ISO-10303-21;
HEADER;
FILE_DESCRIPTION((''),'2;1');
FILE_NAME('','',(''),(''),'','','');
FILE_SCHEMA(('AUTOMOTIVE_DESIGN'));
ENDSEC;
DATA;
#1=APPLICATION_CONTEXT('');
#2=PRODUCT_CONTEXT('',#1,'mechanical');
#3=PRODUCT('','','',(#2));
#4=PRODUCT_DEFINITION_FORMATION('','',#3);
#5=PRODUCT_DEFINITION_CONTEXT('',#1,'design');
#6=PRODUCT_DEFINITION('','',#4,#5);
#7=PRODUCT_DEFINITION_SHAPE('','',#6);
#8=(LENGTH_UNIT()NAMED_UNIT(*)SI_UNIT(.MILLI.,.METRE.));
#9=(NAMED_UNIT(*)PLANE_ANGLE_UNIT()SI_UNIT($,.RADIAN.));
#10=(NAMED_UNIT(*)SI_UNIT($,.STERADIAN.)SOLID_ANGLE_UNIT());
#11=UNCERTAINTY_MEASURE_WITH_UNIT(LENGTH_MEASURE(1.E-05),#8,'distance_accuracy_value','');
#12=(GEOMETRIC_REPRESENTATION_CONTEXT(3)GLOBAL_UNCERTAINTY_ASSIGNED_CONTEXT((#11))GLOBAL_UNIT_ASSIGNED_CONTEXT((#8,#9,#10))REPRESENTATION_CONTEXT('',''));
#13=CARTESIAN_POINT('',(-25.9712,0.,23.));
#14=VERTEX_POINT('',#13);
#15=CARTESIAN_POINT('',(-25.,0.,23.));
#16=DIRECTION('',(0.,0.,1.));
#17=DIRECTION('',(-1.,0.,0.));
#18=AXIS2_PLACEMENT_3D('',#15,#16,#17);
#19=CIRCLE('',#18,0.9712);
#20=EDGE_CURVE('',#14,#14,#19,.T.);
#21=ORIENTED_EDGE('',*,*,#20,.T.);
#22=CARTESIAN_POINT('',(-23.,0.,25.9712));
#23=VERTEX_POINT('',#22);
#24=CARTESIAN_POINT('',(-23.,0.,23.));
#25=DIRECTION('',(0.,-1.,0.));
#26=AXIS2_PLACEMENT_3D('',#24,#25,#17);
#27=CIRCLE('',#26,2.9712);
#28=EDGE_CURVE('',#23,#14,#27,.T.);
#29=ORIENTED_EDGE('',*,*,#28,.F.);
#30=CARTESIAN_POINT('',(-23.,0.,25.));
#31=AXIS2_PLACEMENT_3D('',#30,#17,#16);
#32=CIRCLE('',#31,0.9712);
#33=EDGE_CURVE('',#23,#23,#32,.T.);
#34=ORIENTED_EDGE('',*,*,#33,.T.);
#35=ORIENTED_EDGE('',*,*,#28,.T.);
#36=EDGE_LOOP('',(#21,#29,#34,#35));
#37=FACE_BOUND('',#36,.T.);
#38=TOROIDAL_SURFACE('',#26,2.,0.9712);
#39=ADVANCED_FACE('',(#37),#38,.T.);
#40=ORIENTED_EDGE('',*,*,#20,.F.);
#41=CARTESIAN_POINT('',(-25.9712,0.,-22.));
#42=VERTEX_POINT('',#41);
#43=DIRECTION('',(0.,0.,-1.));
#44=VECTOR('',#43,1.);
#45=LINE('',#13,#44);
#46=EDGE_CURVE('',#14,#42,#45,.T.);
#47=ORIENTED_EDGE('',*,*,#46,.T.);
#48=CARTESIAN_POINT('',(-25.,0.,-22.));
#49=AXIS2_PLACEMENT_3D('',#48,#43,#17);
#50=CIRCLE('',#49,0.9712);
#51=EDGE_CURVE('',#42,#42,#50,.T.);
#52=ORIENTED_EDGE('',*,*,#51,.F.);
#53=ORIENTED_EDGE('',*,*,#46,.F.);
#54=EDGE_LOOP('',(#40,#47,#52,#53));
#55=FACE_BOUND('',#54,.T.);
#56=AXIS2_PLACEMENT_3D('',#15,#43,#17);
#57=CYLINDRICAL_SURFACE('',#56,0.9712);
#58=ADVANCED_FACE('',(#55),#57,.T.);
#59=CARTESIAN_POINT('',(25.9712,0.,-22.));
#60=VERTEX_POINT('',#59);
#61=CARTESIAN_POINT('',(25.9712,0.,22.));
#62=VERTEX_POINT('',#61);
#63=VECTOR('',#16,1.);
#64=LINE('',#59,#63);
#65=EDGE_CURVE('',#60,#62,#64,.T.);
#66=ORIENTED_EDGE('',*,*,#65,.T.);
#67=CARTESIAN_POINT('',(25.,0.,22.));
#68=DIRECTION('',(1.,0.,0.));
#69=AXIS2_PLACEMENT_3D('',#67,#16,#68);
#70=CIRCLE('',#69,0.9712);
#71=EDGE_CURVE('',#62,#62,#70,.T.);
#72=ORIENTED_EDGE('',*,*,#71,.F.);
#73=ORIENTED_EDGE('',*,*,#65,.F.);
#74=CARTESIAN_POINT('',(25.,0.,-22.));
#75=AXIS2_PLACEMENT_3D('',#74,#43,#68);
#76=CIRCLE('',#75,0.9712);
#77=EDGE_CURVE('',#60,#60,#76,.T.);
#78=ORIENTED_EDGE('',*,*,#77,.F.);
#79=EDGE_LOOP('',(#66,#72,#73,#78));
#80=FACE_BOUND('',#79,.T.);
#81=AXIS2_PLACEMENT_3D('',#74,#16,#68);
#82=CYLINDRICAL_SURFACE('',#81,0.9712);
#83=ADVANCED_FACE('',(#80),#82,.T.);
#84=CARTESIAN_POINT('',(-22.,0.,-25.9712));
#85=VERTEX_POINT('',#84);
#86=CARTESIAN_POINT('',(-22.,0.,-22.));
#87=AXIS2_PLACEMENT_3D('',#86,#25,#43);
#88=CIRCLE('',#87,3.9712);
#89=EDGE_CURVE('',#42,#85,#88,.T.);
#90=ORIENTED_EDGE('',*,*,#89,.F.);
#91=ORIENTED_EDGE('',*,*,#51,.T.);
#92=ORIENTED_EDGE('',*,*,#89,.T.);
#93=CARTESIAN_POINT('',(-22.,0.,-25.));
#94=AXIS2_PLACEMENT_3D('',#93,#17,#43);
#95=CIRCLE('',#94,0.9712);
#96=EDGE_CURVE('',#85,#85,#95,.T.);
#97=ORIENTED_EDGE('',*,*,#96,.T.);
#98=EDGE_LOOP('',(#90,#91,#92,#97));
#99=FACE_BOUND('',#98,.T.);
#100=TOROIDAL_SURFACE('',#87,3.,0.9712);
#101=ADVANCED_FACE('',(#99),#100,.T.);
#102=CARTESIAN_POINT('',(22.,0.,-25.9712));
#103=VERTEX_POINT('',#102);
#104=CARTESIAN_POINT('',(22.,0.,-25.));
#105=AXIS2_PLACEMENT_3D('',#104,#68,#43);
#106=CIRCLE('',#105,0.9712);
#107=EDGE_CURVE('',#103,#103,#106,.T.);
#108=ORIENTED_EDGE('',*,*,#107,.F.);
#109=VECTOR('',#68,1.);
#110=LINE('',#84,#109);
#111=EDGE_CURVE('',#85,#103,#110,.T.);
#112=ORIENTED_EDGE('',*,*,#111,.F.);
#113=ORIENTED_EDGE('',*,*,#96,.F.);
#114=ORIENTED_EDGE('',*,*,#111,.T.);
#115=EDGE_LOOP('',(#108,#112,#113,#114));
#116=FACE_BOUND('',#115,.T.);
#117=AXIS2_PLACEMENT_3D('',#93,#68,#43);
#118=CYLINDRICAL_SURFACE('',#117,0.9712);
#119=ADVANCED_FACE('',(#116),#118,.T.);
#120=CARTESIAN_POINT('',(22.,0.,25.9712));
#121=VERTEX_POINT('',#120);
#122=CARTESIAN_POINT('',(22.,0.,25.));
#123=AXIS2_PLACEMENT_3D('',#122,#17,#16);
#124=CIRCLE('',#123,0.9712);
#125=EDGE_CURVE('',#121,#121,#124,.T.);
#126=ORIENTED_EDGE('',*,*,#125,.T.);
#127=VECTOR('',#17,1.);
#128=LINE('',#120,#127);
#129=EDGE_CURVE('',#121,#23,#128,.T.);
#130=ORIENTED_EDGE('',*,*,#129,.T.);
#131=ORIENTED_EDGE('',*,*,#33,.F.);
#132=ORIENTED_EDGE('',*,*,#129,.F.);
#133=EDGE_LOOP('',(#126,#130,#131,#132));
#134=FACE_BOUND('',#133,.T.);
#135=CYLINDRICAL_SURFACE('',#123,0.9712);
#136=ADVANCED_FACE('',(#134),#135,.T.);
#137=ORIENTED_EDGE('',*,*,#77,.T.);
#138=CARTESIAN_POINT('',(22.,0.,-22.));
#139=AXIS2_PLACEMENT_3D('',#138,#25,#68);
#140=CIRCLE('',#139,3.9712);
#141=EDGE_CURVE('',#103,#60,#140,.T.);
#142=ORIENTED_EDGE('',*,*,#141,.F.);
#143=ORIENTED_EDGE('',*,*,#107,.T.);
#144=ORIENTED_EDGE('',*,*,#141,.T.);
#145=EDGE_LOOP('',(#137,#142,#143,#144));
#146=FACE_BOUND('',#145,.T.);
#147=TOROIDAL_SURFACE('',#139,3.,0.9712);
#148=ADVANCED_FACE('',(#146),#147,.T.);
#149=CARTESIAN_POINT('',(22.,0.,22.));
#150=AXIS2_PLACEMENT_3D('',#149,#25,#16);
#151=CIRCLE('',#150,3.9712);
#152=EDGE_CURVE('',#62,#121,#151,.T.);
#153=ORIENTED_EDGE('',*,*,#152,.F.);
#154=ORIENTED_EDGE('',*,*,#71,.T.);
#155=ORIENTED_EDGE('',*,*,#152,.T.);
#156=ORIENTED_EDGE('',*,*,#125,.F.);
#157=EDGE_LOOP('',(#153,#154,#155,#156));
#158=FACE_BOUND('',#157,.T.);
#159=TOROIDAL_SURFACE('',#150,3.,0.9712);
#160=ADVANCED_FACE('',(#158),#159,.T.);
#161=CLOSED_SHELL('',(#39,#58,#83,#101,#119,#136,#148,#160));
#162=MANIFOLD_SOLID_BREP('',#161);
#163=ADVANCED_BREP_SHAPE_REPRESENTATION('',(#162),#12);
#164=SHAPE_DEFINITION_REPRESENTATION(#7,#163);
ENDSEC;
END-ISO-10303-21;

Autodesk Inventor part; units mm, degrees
ref_plane "YZ Plane" through (0, 0, 0) normal (1, 0, 0) x (0, 1, 0)
ref_plane "XZ Plane" through (0, 0, 0) normal (0, 1, 0) x (-1, 0, 0)
ref_plane "XY Plane" through (0, 0, 0) normal (0, 0, 1) x (1, 0, 0)
sketch "Sketch1" plane through (0, 0, 0) normal (0, 1, 0) x (-1, 0, 0)
  line L0 (-22, 25) -> (23, 25)
  line L1 (25, 23) -> (25, -22)
  line L2 (22, -25) -> (-22, -25)
  line L3 (-25, -22) -> (-25, 22)
  line L4 (-25, 25) -> (25, -25) construction
  line L5 (25, 25) -> (-25, -25) construction
  arc A0 (25, 23) -> (23, 25) centre (23, 23) ccw
  arc A1 (22, -25) -> (25, -22) centre (22, -22) ccw
  arc A2 (-25, -22) -> (-22, -25) centre (-22, -22) ccw
  arc A3 (-22, 25) -> (-25, 22) centre (-22, 22) ccw
  point P0 (0, 0)
  dimension "d0" = 50
  dimension "d1" = 50
  dimension "d2" = 2
  dimension "d3" = 3
sketch "Sketch2" plane through (0, 0, 0) normal (0, 0, 1) x (1, 0, 0)
  point P0 (0, 0)
sketch "Sketch3" plane through (0, 0, 0) normal (0, 0, 1) x (1, 0, 0)
  circle A0 centre (25, 0) radius 0.9712
  point P0 (0, 0)
  dimension "d5" = 25
sweep "Sweep1" add profiles "Sketch3" path "Sketch1"
equation "\"d1\" = d0"
equation "\"d5\" = 0.5 * d1"
properties part number "rfCoil"
